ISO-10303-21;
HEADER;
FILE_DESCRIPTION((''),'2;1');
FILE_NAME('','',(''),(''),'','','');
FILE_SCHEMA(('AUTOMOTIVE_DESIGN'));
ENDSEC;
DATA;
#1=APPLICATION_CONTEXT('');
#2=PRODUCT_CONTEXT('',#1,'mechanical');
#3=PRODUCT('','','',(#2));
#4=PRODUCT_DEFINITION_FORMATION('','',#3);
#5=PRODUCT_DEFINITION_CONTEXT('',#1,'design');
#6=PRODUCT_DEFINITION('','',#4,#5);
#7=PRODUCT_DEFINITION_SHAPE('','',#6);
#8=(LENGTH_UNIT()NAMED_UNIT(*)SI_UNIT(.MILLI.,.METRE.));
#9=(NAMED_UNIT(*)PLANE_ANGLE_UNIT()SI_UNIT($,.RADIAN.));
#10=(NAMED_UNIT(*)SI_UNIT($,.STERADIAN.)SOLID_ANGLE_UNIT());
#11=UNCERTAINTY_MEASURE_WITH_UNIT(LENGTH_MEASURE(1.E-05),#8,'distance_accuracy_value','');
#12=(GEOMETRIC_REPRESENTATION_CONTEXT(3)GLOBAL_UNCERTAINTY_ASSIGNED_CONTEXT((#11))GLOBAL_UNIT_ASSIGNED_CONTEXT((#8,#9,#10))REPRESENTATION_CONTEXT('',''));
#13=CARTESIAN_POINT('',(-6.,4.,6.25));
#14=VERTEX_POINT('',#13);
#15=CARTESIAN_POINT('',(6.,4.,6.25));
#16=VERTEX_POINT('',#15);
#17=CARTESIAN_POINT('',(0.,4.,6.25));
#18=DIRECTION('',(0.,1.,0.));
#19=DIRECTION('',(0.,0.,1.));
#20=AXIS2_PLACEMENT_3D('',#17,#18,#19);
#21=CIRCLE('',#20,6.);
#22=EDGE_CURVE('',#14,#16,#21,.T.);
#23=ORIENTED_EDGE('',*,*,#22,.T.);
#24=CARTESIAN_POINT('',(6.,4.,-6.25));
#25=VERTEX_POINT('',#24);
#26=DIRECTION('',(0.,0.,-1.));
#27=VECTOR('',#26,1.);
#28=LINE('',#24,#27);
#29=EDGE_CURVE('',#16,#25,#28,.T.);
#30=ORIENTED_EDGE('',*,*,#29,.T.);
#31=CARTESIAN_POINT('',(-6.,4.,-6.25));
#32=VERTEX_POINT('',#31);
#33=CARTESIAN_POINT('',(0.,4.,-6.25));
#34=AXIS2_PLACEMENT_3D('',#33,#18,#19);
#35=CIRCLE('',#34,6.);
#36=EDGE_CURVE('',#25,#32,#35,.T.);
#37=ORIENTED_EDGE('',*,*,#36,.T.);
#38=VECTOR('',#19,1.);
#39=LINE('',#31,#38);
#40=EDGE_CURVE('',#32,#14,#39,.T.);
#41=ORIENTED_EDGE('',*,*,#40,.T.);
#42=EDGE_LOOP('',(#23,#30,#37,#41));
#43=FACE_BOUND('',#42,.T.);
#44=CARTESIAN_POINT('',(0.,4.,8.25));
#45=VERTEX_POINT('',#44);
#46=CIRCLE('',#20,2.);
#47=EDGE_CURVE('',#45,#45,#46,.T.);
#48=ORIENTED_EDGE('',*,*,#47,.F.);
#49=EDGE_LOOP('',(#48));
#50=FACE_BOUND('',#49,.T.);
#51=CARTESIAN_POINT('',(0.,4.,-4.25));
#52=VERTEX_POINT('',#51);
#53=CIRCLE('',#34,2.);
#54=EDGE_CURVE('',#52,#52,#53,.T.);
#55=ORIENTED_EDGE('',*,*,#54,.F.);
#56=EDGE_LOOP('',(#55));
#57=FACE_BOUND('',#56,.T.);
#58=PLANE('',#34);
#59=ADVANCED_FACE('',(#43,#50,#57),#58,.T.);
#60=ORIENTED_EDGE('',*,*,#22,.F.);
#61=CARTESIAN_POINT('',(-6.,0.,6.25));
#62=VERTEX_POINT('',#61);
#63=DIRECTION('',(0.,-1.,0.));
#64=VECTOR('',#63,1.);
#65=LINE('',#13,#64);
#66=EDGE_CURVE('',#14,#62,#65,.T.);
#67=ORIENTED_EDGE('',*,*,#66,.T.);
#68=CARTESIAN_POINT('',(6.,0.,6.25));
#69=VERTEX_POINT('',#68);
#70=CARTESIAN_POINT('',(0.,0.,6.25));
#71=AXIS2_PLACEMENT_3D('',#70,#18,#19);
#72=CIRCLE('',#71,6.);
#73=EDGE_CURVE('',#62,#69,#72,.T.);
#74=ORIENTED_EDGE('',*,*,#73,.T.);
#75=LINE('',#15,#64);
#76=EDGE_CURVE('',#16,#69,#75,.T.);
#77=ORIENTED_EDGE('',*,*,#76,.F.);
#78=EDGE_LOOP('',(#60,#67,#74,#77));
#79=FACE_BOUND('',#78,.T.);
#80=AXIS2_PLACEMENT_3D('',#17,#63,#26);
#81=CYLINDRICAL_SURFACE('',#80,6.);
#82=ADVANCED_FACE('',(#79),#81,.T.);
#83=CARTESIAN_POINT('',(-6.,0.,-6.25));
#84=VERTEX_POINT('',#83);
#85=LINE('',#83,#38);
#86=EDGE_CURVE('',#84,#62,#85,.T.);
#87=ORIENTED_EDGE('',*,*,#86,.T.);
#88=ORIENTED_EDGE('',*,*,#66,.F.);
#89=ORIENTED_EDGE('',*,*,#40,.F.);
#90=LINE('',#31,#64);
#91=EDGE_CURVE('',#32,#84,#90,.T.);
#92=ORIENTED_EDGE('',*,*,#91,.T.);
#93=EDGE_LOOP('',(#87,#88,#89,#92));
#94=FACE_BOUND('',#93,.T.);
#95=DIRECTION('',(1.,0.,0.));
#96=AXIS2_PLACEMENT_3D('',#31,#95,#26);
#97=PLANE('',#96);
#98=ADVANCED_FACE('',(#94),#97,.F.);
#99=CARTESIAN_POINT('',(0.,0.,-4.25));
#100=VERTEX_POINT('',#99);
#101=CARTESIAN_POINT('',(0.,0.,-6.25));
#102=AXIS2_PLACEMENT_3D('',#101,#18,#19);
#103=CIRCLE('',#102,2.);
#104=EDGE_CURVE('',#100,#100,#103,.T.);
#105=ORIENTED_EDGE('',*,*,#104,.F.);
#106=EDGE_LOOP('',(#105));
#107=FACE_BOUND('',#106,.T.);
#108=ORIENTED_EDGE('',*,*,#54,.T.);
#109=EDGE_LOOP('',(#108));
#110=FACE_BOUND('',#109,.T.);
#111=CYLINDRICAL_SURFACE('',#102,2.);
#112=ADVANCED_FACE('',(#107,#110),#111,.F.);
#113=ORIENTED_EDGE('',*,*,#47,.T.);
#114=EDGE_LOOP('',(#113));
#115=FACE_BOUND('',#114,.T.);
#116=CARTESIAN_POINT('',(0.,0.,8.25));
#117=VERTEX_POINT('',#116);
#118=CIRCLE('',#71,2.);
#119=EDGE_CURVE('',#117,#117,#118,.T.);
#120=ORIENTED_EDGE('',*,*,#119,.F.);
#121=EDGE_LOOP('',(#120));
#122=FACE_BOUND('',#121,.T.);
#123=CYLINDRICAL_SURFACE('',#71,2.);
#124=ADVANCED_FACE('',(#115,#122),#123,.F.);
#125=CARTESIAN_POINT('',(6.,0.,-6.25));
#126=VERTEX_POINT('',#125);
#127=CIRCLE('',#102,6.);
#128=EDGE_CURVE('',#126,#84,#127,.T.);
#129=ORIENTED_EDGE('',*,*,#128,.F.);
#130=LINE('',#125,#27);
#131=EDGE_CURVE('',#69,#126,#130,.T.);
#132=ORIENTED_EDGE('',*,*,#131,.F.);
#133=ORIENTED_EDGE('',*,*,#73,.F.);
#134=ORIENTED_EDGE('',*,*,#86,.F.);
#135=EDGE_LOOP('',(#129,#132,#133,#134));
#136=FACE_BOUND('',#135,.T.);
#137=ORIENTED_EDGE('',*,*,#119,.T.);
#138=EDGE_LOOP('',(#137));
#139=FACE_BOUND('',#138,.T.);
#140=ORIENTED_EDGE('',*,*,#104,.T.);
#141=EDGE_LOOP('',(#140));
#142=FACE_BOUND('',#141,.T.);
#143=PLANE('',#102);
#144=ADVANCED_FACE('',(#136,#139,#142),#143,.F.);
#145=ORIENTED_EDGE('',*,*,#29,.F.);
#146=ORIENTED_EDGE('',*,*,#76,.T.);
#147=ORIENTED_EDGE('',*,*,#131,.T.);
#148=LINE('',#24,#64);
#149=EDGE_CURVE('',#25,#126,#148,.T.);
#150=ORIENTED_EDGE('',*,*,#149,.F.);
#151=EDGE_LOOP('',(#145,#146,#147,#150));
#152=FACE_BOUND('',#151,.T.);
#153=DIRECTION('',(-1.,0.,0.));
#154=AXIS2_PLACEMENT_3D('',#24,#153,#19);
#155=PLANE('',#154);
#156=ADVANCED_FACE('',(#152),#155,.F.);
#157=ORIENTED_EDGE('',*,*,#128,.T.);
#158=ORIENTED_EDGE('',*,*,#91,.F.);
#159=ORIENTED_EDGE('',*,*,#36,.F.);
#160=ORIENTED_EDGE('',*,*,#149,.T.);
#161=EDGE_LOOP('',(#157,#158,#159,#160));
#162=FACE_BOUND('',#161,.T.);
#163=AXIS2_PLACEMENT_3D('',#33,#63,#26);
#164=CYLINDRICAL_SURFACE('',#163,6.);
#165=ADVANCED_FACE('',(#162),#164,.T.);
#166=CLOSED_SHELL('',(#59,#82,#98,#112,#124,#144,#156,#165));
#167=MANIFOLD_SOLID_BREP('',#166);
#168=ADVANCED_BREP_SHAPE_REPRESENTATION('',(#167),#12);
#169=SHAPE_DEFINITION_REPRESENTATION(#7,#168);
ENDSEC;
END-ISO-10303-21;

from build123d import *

# Parameters (mm, degrees)
BOSS_EXTRUDE1_DEPTH = 4
SKETCH2_R           = 2
CUT_EXTRUDE3_DEPTH  = 5


with BuildPart() as part:
    # Sketch1 → Boss-Extrude1 (new body)
    with BuildSketch(Plane(origin=(0, 0, 0), x_dir=(1, 0, 0), z_dir=(0, 1, 0))):
        with BuildLine():
            Line((6, 6.25), (6, -6.25))
            ThreePointArc((6, -6.25), (0, -12.25), (-6, -6.25))
            Line((-6, -6.25), (-6, 6.25))
            ThreePointArc((-6, 6.25), (0, 12.25), (6, 6.25))
        make_face()
    extrude(amount=BOSS_EXTRUDE1_DEPTH)

    # Sketch2 → Cut-Extrude3 (cut, through all)
    with BuildSketch(Plane(origin=(0, 4, 0), x_dir=(1, 0, 0), z_dir=(0, 1, 0))):
        with Locations((0, 6.25)):
            Circle(SKETCH2_R)
        with Locations((0, -6.25)):
            Circle(SKETCH2_R)
    extrude(amount=-CUT_EXTRUDE3_DEPTH, mode=Mode.SUBTRACT)


solid = part.part
